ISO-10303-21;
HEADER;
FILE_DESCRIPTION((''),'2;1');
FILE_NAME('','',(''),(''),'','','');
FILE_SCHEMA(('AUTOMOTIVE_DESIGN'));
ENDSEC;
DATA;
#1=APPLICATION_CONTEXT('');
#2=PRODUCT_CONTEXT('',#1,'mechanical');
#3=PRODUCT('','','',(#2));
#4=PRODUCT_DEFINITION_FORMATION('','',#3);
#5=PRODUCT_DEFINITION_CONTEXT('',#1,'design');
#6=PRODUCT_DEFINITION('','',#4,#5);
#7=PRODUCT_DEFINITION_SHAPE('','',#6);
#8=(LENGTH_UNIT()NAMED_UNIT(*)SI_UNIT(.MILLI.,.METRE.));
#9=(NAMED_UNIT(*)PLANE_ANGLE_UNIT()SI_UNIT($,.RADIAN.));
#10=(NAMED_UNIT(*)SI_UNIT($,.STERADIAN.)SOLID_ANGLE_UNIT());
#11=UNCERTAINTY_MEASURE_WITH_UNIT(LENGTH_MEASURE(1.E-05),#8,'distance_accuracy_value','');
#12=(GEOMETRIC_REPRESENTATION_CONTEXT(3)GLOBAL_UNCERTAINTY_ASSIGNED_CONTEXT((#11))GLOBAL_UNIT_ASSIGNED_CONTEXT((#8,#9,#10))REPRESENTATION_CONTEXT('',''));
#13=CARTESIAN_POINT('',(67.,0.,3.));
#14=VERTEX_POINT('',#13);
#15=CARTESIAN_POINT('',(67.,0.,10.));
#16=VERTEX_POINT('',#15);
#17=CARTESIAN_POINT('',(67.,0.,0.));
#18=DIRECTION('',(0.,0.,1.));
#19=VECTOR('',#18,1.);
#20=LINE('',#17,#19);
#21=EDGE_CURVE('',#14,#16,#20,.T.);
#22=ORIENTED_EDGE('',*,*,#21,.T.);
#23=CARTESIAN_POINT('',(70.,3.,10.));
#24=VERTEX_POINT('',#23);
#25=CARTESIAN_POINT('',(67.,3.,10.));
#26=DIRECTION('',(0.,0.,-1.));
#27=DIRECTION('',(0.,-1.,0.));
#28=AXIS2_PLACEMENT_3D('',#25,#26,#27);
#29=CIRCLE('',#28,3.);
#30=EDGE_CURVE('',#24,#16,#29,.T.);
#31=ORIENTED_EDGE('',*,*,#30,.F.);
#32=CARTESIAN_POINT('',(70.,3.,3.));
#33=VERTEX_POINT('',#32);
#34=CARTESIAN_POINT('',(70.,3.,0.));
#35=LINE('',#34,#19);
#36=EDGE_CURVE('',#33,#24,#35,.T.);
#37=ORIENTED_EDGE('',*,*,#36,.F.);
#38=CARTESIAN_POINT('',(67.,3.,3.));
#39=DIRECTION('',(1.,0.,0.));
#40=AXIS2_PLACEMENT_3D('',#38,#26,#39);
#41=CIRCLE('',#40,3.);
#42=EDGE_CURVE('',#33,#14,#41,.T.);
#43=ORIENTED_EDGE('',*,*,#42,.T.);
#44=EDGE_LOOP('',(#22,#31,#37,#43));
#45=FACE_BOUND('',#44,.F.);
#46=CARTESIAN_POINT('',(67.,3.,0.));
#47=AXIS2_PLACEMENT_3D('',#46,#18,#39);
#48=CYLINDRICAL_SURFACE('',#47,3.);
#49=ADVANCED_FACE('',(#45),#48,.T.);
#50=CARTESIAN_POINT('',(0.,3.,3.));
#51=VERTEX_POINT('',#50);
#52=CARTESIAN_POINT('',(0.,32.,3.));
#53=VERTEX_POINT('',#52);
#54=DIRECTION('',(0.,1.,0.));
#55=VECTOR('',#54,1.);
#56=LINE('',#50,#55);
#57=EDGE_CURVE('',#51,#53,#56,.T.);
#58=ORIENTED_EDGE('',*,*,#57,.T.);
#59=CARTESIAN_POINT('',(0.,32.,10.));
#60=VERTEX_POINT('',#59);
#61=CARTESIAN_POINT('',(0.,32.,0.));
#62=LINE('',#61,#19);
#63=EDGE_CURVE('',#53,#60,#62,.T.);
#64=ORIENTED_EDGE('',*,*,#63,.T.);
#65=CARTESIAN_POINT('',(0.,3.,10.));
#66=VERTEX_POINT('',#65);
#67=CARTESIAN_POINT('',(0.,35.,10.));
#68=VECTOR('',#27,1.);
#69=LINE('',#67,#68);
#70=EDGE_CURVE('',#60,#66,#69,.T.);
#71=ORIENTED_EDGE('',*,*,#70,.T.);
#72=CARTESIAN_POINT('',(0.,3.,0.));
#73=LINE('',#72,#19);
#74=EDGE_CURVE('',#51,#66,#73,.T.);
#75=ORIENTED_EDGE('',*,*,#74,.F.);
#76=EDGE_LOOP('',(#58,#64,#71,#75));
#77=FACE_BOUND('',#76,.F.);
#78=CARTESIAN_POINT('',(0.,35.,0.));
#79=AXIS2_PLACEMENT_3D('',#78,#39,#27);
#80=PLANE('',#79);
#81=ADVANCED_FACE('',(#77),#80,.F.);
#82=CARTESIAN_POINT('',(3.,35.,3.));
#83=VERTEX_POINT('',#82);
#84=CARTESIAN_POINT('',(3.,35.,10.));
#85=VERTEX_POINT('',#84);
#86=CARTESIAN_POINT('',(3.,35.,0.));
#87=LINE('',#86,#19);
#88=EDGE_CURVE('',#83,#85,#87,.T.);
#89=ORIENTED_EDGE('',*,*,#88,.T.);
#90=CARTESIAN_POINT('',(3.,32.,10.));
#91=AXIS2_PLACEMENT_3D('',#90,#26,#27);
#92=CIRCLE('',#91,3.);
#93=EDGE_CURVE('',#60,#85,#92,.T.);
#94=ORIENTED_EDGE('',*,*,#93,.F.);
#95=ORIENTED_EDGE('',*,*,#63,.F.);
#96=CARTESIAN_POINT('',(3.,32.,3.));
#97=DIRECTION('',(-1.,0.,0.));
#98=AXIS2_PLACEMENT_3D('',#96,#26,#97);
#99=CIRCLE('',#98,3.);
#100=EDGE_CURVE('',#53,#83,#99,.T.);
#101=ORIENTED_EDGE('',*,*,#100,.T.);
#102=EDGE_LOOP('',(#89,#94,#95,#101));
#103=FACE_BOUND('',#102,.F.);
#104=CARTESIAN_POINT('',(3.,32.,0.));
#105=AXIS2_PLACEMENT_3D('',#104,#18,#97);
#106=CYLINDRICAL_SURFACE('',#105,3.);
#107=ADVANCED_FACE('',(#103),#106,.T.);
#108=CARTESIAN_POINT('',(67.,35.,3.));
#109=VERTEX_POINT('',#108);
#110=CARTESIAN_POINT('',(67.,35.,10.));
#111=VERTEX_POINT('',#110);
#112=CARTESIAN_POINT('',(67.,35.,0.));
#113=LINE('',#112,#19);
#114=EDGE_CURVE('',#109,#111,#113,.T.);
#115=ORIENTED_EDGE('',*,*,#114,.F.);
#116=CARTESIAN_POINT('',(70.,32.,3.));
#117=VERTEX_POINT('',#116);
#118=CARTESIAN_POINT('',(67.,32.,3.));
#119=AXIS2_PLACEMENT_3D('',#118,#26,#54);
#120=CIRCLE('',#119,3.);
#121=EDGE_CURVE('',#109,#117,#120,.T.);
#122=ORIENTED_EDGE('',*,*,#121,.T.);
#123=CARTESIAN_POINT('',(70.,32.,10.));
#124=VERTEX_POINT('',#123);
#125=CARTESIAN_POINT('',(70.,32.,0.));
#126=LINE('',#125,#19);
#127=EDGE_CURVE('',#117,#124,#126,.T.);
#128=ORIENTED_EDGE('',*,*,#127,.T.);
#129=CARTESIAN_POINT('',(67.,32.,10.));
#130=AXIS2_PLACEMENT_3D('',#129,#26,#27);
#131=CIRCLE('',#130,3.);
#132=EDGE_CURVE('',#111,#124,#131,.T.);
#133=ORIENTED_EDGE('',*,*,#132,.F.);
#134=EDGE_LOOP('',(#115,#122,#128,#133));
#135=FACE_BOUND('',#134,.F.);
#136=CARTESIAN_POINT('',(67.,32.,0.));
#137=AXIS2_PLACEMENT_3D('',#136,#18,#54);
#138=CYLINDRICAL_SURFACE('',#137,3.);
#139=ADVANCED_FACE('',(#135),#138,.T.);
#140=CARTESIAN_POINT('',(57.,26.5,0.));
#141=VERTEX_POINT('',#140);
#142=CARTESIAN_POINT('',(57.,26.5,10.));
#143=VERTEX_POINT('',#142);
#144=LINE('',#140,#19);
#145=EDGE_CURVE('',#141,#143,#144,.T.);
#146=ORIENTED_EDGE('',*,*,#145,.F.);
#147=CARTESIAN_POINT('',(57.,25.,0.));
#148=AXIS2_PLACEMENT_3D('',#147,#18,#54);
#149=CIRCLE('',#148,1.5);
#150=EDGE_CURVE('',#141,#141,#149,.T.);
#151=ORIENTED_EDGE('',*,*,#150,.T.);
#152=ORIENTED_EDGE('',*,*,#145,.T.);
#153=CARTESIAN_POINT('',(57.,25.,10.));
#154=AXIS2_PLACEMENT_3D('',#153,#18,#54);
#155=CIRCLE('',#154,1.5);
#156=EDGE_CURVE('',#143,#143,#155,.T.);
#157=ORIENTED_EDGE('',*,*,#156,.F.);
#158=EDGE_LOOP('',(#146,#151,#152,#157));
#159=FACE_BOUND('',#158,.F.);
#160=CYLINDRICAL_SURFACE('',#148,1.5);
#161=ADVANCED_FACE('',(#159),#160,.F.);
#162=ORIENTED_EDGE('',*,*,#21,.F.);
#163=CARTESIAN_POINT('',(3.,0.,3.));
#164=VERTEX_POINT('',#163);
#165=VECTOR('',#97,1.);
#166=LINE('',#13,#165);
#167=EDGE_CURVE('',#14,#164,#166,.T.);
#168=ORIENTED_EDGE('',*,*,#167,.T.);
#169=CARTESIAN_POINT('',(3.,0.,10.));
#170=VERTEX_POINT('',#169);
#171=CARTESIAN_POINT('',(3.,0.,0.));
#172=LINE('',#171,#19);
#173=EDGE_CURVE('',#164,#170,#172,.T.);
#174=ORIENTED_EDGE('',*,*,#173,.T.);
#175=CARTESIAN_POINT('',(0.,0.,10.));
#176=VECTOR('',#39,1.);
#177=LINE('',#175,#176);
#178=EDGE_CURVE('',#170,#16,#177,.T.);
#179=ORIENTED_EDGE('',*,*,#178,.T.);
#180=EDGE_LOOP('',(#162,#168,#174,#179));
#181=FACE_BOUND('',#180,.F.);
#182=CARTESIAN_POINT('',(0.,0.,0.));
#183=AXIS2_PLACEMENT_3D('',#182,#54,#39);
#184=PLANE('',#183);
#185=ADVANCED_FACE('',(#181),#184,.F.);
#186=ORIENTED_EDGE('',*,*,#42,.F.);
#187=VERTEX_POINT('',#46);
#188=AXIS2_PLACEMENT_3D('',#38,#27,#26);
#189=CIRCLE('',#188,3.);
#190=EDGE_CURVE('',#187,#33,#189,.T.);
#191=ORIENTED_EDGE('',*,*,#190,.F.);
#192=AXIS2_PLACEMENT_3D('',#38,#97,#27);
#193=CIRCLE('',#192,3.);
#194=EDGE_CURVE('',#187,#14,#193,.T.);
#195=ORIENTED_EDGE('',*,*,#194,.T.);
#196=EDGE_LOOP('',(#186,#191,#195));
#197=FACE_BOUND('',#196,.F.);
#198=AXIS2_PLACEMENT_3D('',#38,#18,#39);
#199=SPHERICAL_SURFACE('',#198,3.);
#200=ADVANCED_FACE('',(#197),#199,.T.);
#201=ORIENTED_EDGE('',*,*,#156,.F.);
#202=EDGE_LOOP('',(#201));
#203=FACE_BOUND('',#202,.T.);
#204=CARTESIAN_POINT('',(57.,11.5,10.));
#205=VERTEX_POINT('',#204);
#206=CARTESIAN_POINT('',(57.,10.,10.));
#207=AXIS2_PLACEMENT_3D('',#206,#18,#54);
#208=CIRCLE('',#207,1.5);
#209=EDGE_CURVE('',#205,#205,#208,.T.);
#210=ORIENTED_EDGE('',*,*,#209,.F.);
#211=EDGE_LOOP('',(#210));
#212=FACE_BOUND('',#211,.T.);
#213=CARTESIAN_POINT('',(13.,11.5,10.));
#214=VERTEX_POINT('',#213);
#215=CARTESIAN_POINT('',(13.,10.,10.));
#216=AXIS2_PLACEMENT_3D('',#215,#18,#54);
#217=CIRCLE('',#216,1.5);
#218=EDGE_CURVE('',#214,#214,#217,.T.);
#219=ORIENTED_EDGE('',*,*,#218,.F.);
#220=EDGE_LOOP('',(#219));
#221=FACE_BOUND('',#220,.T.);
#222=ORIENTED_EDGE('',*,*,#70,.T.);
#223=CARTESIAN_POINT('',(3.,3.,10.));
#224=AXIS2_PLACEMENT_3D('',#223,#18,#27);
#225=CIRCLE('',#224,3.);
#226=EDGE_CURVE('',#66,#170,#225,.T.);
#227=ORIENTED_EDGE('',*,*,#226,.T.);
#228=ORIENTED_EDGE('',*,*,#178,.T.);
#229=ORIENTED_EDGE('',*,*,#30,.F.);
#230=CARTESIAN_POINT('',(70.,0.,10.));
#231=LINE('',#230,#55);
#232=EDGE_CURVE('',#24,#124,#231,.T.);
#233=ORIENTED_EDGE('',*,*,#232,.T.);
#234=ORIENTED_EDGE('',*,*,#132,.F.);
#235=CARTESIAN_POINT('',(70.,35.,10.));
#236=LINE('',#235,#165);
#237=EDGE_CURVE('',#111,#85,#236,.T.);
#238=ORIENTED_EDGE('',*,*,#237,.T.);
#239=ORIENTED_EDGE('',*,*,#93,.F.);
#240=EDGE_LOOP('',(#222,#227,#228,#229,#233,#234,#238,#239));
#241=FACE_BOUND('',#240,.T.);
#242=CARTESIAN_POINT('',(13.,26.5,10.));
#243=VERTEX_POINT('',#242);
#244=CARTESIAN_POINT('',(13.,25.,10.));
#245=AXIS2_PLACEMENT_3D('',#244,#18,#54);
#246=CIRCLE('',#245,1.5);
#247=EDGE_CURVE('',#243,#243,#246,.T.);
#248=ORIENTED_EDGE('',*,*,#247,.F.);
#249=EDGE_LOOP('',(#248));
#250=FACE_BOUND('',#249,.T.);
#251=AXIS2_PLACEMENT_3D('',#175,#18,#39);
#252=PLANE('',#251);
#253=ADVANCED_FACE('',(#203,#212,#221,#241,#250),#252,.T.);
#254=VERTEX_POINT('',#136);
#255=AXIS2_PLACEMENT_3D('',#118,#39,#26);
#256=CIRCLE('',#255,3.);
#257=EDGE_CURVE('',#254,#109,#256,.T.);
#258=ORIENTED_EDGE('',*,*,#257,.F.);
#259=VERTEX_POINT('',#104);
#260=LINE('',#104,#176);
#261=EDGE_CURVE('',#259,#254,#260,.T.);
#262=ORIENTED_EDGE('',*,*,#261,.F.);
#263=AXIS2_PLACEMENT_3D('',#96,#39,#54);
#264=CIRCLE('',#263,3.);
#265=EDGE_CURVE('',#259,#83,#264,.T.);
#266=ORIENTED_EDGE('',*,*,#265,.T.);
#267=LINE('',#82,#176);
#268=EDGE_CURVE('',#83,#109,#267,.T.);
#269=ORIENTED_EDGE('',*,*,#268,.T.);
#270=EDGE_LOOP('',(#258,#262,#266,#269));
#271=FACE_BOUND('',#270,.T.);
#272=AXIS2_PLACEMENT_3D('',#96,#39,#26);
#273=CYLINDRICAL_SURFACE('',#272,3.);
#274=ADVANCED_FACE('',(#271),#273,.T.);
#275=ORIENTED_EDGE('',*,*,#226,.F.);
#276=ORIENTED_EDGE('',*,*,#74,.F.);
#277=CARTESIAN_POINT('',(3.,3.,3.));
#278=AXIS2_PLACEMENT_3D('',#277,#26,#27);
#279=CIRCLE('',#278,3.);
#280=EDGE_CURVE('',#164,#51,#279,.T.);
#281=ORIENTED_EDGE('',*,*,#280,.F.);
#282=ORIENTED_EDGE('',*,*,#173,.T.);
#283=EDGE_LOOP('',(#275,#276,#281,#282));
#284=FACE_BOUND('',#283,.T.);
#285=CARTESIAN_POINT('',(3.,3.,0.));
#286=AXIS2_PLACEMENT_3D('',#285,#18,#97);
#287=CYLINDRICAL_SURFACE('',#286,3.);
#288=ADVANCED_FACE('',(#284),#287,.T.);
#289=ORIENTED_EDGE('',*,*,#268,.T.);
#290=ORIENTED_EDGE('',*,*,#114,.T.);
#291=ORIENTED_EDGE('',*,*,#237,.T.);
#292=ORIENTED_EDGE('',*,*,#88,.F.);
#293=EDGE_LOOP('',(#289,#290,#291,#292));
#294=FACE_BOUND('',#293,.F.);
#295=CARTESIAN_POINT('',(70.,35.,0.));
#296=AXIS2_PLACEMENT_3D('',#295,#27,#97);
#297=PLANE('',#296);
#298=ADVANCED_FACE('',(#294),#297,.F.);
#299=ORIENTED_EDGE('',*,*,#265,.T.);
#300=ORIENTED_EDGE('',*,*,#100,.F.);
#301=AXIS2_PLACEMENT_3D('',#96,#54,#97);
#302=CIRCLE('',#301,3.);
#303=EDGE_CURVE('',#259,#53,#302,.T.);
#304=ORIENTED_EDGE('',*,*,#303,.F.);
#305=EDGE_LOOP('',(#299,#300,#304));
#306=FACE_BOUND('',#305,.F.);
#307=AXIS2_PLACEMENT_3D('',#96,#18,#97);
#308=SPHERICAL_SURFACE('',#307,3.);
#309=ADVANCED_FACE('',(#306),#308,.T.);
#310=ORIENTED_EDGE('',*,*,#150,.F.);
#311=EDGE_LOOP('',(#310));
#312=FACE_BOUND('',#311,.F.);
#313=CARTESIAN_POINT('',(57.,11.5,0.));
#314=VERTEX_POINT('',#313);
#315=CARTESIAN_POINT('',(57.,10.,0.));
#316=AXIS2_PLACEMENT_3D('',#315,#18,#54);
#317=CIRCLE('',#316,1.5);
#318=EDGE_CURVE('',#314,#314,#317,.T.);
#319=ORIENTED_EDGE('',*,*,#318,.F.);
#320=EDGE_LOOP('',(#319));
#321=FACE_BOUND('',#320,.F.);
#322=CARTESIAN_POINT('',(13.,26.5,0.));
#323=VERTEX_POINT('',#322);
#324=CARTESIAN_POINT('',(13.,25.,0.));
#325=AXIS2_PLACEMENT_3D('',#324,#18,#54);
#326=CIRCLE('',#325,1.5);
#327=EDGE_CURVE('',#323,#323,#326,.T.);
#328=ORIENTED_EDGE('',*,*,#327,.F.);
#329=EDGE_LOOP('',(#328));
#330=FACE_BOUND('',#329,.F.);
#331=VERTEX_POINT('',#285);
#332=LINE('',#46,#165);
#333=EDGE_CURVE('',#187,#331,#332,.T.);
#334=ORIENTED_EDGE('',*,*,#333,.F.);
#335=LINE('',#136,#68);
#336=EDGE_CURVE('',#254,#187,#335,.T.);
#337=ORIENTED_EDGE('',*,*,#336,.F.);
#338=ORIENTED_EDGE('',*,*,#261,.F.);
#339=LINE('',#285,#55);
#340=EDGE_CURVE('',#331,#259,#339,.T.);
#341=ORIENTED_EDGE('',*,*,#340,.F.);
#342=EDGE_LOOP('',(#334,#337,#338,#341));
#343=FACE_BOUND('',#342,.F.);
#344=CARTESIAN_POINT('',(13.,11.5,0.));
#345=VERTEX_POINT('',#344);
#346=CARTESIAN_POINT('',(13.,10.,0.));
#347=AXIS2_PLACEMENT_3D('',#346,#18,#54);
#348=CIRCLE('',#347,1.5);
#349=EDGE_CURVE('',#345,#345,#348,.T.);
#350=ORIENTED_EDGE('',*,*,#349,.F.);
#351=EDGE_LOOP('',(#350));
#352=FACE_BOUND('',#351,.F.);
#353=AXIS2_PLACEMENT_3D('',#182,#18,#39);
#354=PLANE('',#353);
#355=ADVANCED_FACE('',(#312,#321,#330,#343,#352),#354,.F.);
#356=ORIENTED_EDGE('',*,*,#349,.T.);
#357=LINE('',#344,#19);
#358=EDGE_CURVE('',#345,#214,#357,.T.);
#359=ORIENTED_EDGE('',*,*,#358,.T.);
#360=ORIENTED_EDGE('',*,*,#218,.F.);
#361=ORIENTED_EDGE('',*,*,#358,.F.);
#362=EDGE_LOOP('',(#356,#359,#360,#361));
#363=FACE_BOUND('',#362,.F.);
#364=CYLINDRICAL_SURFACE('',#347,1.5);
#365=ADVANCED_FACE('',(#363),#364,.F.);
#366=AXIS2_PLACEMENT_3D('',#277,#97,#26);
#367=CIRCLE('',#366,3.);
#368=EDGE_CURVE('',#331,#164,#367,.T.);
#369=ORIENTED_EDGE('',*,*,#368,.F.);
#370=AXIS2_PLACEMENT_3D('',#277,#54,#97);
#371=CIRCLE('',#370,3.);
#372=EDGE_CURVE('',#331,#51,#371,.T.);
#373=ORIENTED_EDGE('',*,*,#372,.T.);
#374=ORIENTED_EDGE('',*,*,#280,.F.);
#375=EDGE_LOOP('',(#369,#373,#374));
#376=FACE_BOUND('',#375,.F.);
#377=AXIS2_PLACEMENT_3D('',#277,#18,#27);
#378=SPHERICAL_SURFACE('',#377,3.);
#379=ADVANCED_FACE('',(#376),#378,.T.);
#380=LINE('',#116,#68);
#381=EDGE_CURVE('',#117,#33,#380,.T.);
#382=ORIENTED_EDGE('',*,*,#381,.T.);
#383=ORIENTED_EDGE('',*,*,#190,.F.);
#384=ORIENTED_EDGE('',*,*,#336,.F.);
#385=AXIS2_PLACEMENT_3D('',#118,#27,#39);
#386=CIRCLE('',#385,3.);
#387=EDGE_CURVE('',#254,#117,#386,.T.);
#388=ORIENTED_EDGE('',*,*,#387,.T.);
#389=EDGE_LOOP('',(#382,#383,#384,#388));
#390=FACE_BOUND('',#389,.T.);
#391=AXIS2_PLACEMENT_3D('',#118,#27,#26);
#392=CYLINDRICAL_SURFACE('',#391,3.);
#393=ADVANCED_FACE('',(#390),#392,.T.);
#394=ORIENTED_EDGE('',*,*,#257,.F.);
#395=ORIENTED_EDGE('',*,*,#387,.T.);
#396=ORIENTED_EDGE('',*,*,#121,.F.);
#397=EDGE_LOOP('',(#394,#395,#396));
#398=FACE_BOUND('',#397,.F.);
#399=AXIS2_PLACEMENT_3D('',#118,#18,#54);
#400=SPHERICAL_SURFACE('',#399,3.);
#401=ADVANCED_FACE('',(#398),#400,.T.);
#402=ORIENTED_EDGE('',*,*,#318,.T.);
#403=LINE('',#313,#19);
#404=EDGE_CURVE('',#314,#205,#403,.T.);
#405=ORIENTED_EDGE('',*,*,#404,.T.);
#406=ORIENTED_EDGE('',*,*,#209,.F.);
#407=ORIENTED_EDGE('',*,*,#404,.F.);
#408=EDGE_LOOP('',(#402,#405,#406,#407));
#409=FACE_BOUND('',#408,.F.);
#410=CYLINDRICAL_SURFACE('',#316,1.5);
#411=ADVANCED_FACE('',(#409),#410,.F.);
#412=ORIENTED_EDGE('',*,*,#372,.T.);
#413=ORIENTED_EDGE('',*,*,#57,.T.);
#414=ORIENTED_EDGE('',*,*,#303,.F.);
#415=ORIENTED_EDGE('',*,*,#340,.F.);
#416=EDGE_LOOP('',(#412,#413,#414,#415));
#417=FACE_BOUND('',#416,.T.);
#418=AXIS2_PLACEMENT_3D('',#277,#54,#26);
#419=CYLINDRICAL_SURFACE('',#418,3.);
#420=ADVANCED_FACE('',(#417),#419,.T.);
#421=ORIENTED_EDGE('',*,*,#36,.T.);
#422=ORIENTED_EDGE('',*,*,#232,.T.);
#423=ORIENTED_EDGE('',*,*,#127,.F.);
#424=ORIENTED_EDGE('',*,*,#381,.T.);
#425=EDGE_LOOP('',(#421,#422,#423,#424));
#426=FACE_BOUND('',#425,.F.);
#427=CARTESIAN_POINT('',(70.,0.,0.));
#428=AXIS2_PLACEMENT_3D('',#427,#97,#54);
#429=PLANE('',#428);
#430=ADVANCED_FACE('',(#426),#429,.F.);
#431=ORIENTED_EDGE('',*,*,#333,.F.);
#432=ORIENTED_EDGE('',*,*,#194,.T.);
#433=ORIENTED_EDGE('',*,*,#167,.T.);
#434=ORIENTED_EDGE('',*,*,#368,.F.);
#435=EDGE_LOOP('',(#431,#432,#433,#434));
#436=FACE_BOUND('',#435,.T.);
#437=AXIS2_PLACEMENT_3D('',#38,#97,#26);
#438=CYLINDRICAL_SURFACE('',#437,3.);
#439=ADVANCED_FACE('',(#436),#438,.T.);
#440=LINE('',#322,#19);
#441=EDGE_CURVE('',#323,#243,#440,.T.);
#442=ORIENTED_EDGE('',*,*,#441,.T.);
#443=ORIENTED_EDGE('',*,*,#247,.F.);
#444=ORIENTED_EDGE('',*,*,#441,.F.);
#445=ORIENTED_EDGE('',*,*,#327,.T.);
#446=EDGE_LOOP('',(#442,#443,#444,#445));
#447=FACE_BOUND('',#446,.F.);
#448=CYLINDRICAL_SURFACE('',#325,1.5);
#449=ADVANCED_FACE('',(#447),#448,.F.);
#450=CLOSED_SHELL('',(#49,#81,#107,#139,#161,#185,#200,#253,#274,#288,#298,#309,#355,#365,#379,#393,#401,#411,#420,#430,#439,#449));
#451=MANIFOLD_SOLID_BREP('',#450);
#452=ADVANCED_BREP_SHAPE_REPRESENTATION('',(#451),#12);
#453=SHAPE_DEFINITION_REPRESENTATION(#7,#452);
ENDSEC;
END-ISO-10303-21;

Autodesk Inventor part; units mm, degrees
ref_plane "YZ Plane" through (0, 0, 0) normal (1, 0, 0) x (0, 1, 0)
ref_plane "XZ Plane" through (0, 0, 0) normal (0, 1, 0) x (-1, 0, 0)
ref_plane "XY Plane" through (0, 0, 0) normal (0, 0, 1) x (1, 0, 0)
sketch "Esboço1" plane through (0, 0, 0) normal (0, 0, 1) x (1, 0, 0)
  line L0 (0, 0) -> (70, 0)
  line L1 (70, 0) -> (70, 35)
  line L2 (70, 35) -> (0, 35)
  line L3 (0, 35) -> (0, 0)
  dimension "d0" = 70
  dimension "d1" = 35
extrude "Extrusão1" add sketch "Esboço1" along normal blind 10
fillet "Arredondamento1" radius 3 4 edges at (70, 35, 5) (70, 0, 5) (0, 35, 5) (0, 0, 5)
fillet "Arredondamento2" radius 3 8 edges at (0.8787, 34.1213, 0) (0, 17.5, 0) (0.8787, 0.8787, 0) (35, 0, 0) (69.1213, 0.8787, 0) (70, 17.5, 0) (69.1213, 34.1213, 0) (35, 35, 0)
sketch "Esboço3" plane through (0, 0, 0) normal (0, 0, -1) x (-1, 0, 0)
  line L0 (-3, 35) -> (-67, 35) projected
  line L1 (-67, 3) -> (-67, 32) projected
  line L2 (-67, 0) -> (-3, 0) projected
  line L3 (-3, 32) -> (-3, 3) projected
  point P0 (0, 0)
  point P1 (-57, 25)
  point P2 (-13, 25)
  point P3 (-13, 10)
  point P4 (-57, 10)
  dimension "d18" = 10
  dimension "d19" = 10
  dimension "d20" = 10
  dimension "d21" = 10
  dimension "d22" = 10
  dimension "d23" = 10
  dimension "d24" = 10
  dimension "d25" = 10
hole "Furo1" at (57, 25, 0) at (13, 25, 0) at (13, 10, 0) at (57, 10, 0) direction (0, 0, 1) diameter 3 end through all
thread "Rosca1" size "M3x0.35" class "6H" standard "ANSI Metric M Profile" length 3 offset 7
thread "Rosca2" size "M3x0.5" class "6H" standard "ANSI Metric M Profile" length 3
thread "Rosca3" size "M3x0.5" class "6H" standard "ANSI Metric M Profile" length 3
thread "Rosca4" size "M3x0.5" class "6H" standard "ANSI Metric M Profile" length 3
equation "\"d19\" = d18"
equation "\"d20\" = d18"
equation "\"d21\" = d18"
equation "\"d22\" = d18"
equation "\"d23\" = d18"
equation "\"d24\" = d18"
equation "\"d25\" = d18"
properties part number "Peça4-Rubia"
